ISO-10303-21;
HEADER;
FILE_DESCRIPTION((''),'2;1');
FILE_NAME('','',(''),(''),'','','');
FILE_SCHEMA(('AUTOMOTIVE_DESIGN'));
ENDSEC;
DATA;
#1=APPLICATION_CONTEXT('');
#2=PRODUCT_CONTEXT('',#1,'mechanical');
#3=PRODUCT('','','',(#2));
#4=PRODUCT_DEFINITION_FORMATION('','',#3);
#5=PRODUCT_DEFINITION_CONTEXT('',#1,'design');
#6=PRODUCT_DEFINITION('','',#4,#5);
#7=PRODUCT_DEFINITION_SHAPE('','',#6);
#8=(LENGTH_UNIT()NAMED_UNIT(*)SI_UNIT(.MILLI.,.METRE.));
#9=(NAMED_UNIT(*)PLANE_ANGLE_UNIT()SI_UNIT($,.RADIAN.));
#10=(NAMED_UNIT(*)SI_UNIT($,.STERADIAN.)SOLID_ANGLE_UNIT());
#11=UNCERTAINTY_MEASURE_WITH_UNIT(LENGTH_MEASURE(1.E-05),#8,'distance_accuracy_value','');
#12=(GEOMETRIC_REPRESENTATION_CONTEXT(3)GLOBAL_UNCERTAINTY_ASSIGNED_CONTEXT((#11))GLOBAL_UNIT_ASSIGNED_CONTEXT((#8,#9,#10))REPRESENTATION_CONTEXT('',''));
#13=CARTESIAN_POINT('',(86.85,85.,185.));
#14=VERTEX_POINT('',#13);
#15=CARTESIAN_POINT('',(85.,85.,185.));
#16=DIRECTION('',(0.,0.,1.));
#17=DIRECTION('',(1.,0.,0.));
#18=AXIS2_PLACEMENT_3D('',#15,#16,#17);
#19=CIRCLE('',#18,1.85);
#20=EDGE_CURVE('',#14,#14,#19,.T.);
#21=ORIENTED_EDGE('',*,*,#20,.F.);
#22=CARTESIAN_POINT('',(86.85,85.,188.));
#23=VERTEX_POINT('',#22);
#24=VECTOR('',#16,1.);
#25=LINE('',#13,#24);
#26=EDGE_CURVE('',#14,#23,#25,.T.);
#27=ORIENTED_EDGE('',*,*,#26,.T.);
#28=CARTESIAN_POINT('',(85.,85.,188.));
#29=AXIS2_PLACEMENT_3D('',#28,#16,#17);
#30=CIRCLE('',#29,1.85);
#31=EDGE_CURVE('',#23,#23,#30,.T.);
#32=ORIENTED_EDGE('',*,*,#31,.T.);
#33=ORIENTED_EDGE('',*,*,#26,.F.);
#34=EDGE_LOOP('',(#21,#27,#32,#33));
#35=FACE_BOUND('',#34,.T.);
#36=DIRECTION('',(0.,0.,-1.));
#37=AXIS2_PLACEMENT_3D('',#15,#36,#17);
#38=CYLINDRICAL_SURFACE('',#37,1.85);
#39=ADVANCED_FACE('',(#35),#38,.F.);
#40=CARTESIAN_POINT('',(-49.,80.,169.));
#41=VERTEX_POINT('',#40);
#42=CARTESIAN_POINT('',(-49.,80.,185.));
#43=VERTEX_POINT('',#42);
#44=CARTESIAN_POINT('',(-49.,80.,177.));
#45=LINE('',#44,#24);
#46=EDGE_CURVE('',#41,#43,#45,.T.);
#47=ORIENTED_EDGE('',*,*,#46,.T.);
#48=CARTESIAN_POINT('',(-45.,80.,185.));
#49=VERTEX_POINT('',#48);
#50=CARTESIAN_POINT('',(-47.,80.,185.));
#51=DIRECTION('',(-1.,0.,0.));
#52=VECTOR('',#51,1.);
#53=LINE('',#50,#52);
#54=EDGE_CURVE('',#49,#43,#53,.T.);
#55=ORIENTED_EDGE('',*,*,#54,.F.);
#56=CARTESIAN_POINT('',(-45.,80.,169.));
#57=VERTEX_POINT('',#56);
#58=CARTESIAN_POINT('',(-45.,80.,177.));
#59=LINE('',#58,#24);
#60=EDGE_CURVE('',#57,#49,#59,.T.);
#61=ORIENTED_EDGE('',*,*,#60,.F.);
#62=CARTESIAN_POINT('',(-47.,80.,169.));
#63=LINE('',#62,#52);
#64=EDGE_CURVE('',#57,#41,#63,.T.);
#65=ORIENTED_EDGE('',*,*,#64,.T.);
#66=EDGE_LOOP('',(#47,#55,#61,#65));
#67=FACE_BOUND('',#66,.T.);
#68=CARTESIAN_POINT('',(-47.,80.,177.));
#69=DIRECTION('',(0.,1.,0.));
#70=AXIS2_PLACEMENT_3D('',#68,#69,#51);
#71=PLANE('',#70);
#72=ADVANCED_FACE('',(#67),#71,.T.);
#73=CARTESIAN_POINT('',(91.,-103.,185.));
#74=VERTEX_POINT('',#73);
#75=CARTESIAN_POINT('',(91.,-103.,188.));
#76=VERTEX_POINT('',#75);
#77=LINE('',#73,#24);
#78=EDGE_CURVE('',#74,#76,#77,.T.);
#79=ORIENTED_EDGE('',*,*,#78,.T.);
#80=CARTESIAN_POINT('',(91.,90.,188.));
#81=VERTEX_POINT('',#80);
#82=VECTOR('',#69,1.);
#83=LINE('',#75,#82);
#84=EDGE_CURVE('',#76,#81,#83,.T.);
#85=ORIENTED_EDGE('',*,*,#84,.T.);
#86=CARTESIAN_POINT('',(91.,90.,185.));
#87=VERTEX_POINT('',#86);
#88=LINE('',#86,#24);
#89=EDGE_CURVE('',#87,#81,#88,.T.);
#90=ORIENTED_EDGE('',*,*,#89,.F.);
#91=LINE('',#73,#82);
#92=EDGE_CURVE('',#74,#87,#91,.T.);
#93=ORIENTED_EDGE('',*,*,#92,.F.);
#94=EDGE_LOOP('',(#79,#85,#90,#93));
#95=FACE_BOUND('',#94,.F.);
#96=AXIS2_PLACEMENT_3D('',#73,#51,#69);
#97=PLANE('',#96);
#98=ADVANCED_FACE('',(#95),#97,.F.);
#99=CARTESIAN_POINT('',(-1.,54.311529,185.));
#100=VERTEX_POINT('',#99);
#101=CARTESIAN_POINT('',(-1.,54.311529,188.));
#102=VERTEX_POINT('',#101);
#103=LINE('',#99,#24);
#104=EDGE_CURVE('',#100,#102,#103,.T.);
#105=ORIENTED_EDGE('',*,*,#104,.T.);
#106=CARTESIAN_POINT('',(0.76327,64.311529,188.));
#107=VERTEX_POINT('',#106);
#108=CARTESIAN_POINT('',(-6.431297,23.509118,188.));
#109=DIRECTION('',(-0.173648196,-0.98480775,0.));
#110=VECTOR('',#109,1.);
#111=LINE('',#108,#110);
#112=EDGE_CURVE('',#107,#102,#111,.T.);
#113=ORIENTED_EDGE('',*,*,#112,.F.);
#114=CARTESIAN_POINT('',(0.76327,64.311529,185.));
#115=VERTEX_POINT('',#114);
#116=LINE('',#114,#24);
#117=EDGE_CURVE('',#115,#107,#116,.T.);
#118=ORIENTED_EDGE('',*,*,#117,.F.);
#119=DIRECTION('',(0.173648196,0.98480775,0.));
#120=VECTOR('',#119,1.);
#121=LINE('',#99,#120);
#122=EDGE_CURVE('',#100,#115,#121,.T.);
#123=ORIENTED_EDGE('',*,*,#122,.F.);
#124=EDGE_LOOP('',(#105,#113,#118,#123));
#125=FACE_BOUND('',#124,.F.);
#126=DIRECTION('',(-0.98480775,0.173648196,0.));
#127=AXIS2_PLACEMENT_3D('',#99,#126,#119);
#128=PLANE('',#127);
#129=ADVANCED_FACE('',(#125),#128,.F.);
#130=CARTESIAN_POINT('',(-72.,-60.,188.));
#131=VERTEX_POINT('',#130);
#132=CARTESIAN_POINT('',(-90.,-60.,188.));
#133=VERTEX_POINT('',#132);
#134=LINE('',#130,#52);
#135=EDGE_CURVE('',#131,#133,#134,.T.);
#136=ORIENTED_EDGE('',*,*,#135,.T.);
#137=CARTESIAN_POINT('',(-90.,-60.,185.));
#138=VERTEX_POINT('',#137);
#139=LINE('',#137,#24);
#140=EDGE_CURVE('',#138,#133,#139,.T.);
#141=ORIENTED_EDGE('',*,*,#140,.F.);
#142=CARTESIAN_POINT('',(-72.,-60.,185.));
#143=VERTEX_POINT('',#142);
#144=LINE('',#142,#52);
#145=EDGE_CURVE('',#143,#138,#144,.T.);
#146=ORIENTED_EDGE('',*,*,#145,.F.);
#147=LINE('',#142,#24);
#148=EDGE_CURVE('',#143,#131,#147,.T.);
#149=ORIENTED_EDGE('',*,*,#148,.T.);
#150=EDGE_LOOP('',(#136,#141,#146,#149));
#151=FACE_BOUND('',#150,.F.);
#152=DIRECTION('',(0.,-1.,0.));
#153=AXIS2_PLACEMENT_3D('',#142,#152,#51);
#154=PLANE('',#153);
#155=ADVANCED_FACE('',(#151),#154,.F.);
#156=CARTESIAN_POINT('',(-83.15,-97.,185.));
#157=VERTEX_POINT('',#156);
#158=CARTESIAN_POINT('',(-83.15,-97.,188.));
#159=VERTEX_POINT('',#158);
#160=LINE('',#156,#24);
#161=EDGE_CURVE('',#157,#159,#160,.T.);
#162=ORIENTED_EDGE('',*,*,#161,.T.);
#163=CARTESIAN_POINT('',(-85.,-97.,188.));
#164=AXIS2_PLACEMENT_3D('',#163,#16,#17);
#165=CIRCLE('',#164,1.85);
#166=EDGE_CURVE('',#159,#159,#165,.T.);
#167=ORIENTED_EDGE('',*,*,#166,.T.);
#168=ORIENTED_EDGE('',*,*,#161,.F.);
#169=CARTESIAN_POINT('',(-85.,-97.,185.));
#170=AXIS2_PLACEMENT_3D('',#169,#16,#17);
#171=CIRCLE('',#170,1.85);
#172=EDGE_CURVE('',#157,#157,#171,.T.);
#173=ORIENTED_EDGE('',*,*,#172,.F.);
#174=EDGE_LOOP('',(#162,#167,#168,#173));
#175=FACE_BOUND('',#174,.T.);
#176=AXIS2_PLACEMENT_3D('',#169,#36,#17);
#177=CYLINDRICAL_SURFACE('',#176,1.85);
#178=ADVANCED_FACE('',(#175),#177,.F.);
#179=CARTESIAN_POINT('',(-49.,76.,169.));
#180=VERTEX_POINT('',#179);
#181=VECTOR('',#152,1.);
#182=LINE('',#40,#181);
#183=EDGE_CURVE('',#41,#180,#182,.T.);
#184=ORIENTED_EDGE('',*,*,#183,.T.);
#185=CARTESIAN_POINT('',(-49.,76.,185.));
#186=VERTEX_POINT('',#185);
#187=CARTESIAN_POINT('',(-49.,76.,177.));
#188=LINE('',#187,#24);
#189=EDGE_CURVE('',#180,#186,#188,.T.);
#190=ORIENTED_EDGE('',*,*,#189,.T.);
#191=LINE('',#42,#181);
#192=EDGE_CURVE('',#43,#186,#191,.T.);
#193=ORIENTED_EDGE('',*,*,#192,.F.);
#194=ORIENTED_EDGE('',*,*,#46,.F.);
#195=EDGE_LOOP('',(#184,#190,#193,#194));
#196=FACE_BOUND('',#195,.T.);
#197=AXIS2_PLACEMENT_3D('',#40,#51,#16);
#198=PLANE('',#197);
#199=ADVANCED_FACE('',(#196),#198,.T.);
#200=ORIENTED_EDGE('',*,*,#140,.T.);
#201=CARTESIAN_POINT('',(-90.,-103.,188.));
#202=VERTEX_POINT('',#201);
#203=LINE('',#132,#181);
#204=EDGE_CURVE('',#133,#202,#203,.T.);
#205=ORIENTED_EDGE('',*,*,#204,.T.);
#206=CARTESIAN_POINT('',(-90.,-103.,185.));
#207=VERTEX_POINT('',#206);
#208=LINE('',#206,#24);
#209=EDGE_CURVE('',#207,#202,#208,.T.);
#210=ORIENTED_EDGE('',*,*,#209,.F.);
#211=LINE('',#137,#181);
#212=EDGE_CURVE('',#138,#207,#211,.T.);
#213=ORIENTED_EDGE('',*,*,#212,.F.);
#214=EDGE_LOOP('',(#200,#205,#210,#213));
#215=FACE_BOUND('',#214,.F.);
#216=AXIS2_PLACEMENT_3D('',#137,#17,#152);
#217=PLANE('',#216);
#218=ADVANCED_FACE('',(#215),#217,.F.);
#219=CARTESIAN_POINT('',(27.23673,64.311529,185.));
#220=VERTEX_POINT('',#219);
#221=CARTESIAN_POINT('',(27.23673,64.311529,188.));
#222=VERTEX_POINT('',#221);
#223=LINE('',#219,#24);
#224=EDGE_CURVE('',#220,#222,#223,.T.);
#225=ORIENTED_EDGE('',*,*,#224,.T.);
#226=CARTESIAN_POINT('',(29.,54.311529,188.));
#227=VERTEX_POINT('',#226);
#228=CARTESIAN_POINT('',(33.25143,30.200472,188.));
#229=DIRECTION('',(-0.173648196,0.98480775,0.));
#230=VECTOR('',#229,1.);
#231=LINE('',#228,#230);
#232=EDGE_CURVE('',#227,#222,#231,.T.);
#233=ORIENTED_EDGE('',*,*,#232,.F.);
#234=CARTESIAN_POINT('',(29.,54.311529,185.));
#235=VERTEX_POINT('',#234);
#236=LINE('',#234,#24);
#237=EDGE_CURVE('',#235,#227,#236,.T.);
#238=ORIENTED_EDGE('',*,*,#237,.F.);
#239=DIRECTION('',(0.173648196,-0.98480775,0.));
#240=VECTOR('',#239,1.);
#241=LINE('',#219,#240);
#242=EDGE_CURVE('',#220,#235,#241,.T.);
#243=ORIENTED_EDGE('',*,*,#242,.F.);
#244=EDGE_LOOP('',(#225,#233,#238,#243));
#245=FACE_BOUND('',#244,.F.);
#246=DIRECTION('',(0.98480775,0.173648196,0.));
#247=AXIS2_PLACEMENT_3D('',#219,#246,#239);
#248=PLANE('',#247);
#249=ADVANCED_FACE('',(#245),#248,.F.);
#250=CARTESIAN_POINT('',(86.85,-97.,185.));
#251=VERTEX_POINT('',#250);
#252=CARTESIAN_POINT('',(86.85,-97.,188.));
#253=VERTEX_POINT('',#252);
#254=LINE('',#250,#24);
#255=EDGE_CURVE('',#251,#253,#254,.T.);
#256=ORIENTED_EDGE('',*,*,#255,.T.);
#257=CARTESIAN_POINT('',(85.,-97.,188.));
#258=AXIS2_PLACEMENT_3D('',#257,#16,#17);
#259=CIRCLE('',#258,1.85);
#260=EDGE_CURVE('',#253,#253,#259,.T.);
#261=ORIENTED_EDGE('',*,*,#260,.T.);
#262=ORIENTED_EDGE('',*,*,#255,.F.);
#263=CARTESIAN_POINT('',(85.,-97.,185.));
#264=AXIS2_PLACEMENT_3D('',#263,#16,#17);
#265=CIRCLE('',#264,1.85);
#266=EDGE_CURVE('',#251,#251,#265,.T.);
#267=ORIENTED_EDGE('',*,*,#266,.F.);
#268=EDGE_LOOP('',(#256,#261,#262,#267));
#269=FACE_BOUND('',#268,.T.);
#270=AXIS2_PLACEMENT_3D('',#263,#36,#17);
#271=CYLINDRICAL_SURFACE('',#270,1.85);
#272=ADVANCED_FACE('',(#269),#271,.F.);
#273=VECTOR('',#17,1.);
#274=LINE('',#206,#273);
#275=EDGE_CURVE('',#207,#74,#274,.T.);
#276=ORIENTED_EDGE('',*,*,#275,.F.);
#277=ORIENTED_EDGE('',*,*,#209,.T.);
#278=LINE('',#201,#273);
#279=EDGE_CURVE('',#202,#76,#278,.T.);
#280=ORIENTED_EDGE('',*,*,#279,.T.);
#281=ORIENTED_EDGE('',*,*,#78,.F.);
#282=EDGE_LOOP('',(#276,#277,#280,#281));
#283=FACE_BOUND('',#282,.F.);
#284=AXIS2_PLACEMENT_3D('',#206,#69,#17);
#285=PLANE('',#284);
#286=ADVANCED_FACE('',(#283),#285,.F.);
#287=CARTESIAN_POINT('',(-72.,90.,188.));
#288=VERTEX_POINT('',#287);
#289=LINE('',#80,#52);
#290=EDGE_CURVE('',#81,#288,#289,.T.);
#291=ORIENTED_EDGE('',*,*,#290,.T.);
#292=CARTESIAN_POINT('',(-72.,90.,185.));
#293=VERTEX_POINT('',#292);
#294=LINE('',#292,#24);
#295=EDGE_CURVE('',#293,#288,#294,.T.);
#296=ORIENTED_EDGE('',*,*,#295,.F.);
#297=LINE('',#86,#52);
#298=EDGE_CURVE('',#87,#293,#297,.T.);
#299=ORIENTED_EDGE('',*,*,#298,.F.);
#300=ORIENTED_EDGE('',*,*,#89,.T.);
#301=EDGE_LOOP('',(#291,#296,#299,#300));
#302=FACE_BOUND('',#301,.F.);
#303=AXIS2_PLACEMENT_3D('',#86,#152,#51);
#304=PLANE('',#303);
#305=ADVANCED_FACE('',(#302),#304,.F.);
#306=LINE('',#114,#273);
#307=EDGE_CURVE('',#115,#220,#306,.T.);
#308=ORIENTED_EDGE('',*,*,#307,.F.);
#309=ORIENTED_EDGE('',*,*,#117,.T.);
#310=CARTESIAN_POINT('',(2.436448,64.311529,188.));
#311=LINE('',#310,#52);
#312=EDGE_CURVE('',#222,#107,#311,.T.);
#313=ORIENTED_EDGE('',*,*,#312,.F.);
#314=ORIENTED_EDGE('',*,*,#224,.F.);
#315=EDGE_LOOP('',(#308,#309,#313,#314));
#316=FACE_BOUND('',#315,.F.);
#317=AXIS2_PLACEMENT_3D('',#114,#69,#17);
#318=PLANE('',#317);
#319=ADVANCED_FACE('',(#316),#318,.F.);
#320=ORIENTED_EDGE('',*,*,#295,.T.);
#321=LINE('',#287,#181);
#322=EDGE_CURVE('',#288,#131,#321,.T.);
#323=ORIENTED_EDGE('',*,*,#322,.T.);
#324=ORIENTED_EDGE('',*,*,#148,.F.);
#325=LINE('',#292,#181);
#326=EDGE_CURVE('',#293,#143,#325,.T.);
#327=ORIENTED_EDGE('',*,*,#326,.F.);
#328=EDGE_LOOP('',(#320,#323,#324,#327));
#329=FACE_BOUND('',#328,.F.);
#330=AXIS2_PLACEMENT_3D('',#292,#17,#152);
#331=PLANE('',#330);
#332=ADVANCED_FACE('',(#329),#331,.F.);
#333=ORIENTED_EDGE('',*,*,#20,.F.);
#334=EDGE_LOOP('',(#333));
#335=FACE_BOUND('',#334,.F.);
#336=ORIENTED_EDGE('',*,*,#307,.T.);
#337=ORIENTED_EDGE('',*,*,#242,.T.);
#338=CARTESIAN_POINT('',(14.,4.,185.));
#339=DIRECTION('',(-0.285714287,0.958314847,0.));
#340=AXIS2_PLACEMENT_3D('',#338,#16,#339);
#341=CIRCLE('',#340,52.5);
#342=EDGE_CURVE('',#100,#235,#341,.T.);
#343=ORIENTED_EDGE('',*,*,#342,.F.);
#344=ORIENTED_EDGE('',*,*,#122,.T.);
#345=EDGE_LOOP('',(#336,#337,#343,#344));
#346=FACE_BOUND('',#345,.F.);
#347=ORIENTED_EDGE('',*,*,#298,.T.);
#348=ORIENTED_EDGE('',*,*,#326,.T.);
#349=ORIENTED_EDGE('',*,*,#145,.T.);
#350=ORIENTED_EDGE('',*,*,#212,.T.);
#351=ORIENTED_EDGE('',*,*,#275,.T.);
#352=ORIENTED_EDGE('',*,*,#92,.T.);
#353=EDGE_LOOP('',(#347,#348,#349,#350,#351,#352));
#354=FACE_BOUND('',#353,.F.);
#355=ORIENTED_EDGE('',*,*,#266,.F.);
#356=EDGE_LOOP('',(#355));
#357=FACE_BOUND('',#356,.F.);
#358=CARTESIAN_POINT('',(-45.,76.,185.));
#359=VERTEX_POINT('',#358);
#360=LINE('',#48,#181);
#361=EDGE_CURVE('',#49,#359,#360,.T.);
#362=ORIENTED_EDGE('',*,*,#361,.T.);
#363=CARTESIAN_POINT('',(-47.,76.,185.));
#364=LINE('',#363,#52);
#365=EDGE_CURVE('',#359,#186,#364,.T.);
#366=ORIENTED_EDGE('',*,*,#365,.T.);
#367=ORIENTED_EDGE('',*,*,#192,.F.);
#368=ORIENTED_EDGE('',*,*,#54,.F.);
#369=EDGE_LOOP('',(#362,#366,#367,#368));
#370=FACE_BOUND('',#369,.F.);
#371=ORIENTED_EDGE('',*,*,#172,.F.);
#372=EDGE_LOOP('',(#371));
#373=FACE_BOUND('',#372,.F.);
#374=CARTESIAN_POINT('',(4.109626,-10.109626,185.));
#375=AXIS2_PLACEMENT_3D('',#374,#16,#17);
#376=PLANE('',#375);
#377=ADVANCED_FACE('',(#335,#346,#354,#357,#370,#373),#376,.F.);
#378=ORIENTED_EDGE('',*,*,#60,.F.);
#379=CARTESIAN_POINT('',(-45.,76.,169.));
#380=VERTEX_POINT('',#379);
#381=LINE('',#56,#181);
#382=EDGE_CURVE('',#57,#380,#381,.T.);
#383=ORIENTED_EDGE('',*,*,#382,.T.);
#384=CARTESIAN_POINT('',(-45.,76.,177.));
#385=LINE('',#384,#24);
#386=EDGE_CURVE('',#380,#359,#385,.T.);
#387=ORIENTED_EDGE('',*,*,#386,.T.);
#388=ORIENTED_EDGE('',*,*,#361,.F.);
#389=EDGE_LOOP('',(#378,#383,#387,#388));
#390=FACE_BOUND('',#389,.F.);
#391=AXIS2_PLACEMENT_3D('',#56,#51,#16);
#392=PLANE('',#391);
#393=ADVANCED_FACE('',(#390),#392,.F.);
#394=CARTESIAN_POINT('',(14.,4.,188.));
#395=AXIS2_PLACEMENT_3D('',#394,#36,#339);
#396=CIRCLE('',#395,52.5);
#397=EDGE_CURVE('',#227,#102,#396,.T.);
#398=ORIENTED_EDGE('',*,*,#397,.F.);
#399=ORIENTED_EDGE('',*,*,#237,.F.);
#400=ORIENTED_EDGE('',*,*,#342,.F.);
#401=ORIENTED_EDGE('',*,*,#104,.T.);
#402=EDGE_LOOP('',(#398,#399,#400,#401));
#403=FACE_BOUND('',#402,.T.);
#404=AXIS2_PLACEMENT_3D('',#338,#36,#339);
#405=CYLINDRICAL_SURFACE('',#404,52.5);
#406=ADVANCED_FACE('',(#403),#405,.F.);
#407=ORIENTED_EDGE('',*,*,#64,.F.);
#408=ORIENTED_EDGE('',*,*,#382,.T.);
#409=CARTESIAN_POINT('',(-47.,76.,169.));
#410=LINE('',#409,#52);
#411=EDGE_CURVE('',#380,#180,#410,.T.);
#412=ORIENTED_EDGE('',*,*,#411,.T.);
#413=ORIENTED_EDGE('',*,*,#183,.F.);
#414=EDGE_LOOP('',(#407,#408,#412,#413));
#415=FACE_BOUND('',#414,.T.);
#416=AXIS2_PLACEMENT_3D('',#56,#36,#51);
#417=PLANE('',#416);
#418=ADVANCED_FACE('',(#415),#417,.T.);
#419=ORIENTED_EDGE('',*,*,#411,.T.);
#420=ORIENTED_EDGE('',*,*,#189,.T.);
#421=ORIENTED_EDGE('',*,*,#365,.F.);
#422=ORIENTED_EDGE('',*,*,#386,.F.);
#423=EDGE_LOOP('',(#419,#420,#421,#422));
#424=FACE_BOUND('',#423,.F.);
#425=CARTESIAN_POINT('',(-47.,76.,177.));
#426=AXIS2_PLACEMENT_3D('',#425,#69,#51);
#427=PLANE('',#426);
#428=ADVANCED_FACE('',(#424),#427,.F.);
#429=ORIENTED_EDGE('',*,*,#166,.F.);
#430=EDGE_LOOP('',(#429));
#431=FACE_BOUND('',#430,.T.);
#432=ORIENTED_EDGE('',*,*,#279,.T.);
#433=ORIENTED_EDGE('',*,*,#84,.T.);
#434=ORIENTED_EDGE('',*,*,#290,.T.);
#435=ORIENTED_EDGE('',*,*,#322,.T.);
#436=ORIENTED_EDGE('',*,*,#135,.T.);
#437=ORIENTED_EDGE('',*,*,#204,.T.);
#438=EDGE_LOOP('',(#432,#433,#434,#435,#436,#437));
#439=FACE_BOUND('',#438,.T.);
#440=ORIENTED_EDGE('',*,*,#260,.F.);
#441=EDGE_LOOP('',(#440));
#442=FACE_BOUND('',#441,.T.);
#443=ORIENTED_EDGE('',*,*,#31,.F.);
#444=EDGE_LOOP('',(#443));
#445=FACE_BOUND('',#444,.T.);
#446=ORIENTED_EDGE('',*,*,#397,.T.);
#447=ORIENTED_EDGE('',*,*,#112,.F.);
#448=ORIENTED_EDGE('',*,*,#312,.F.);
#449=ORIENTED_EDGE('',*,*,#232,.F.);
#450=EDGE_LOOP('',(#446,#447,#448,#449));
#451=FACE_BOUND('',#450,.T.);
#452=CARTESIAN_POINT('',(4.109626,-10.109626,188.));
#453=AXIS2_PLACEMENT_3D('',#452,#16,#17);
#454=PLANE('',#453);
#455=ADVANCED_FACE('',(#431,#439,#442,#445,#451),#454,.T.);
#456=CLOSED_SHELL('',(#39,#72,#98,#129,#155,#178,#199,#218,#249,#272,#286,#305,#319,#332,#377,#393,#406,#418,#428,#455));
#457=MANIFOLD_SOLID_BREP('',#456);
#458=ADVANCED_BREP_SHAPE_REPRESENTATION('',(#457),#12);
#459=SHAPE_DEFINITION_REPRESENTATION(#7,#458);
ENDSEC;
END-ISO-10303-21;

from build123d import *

# Parameters (mm, degrees)
SKETCH244_R          = 1.85
PAD019_DEPTH         = 3
POCKET016_DEPTH      = 0.001
POCKET016_DEPTH_BACK = 3.001
SKETCH245_W          = 4
SKETCH245_H          = 16
PAD020_DEPTH         = 4


with BuildPart() as part:
    # Sketch244 → Pad019 (new body)
    with BuildSketch(Plane.XY):
        Polygon((91, 90), (-72, 90), (-72, -60), (-90, -60), (-90, -103), (91, -103), align=None)
        with Locations((85, 85)):
            Circle(SKETCH244_R, mode=Mode.SUBTRACT)
        with Locations((85, -97)):
            Circle(SKETCH244_R, mode=Mode.SUBTRACT)
        with Locations((-85, -97)):
            Circle(SKETCH244_R, mode=Mode.SUBTRACT)
    extrude(amount=PAD019_DEPTH)

    # Sketch243 → Pocket016 (cut, two sides)
    with BuildSketch(Plane.XY) as pocket016_sk:
        with BuildLine():
            ThreePointArc((-1, 54.311529), (14, -48.5), (29, 54.311529))
            Line((27.23673, 64.311529), (29, 54.311529))
            Line((0.76327, 64.311529), (27.23673, 64.311529))
            Line((-1, 54.311529), (0.76327, 64.311529))
        make_face()
    extrude(amount=-POCKET016_DEPTH, mode=Mode.SUBTRACT)
    extrude(pocket016_sk.sketch, amount=POCKET016_DEPTH_BACK, mode=Mode.SUBTRACT)

    # Sketch245 (on Face1 of Pocket016) → Pad020 (join)
    with BuildSketch(Plane(origin=(0, 80, 0), x_dir=(-1, 0, 0), z_dir=(0, 1, 0))):
        with Locations((47, -8)):
            Rectangle(SKETCH245_W, SKETCH245_H)
    extrude(amount=-PAD020_DEPTH)


with BuildPart() as part_1:
    # Body010 placement: moved
    add(part.part.moved(Location((0, 0, 185))))


solid = part_1.part
